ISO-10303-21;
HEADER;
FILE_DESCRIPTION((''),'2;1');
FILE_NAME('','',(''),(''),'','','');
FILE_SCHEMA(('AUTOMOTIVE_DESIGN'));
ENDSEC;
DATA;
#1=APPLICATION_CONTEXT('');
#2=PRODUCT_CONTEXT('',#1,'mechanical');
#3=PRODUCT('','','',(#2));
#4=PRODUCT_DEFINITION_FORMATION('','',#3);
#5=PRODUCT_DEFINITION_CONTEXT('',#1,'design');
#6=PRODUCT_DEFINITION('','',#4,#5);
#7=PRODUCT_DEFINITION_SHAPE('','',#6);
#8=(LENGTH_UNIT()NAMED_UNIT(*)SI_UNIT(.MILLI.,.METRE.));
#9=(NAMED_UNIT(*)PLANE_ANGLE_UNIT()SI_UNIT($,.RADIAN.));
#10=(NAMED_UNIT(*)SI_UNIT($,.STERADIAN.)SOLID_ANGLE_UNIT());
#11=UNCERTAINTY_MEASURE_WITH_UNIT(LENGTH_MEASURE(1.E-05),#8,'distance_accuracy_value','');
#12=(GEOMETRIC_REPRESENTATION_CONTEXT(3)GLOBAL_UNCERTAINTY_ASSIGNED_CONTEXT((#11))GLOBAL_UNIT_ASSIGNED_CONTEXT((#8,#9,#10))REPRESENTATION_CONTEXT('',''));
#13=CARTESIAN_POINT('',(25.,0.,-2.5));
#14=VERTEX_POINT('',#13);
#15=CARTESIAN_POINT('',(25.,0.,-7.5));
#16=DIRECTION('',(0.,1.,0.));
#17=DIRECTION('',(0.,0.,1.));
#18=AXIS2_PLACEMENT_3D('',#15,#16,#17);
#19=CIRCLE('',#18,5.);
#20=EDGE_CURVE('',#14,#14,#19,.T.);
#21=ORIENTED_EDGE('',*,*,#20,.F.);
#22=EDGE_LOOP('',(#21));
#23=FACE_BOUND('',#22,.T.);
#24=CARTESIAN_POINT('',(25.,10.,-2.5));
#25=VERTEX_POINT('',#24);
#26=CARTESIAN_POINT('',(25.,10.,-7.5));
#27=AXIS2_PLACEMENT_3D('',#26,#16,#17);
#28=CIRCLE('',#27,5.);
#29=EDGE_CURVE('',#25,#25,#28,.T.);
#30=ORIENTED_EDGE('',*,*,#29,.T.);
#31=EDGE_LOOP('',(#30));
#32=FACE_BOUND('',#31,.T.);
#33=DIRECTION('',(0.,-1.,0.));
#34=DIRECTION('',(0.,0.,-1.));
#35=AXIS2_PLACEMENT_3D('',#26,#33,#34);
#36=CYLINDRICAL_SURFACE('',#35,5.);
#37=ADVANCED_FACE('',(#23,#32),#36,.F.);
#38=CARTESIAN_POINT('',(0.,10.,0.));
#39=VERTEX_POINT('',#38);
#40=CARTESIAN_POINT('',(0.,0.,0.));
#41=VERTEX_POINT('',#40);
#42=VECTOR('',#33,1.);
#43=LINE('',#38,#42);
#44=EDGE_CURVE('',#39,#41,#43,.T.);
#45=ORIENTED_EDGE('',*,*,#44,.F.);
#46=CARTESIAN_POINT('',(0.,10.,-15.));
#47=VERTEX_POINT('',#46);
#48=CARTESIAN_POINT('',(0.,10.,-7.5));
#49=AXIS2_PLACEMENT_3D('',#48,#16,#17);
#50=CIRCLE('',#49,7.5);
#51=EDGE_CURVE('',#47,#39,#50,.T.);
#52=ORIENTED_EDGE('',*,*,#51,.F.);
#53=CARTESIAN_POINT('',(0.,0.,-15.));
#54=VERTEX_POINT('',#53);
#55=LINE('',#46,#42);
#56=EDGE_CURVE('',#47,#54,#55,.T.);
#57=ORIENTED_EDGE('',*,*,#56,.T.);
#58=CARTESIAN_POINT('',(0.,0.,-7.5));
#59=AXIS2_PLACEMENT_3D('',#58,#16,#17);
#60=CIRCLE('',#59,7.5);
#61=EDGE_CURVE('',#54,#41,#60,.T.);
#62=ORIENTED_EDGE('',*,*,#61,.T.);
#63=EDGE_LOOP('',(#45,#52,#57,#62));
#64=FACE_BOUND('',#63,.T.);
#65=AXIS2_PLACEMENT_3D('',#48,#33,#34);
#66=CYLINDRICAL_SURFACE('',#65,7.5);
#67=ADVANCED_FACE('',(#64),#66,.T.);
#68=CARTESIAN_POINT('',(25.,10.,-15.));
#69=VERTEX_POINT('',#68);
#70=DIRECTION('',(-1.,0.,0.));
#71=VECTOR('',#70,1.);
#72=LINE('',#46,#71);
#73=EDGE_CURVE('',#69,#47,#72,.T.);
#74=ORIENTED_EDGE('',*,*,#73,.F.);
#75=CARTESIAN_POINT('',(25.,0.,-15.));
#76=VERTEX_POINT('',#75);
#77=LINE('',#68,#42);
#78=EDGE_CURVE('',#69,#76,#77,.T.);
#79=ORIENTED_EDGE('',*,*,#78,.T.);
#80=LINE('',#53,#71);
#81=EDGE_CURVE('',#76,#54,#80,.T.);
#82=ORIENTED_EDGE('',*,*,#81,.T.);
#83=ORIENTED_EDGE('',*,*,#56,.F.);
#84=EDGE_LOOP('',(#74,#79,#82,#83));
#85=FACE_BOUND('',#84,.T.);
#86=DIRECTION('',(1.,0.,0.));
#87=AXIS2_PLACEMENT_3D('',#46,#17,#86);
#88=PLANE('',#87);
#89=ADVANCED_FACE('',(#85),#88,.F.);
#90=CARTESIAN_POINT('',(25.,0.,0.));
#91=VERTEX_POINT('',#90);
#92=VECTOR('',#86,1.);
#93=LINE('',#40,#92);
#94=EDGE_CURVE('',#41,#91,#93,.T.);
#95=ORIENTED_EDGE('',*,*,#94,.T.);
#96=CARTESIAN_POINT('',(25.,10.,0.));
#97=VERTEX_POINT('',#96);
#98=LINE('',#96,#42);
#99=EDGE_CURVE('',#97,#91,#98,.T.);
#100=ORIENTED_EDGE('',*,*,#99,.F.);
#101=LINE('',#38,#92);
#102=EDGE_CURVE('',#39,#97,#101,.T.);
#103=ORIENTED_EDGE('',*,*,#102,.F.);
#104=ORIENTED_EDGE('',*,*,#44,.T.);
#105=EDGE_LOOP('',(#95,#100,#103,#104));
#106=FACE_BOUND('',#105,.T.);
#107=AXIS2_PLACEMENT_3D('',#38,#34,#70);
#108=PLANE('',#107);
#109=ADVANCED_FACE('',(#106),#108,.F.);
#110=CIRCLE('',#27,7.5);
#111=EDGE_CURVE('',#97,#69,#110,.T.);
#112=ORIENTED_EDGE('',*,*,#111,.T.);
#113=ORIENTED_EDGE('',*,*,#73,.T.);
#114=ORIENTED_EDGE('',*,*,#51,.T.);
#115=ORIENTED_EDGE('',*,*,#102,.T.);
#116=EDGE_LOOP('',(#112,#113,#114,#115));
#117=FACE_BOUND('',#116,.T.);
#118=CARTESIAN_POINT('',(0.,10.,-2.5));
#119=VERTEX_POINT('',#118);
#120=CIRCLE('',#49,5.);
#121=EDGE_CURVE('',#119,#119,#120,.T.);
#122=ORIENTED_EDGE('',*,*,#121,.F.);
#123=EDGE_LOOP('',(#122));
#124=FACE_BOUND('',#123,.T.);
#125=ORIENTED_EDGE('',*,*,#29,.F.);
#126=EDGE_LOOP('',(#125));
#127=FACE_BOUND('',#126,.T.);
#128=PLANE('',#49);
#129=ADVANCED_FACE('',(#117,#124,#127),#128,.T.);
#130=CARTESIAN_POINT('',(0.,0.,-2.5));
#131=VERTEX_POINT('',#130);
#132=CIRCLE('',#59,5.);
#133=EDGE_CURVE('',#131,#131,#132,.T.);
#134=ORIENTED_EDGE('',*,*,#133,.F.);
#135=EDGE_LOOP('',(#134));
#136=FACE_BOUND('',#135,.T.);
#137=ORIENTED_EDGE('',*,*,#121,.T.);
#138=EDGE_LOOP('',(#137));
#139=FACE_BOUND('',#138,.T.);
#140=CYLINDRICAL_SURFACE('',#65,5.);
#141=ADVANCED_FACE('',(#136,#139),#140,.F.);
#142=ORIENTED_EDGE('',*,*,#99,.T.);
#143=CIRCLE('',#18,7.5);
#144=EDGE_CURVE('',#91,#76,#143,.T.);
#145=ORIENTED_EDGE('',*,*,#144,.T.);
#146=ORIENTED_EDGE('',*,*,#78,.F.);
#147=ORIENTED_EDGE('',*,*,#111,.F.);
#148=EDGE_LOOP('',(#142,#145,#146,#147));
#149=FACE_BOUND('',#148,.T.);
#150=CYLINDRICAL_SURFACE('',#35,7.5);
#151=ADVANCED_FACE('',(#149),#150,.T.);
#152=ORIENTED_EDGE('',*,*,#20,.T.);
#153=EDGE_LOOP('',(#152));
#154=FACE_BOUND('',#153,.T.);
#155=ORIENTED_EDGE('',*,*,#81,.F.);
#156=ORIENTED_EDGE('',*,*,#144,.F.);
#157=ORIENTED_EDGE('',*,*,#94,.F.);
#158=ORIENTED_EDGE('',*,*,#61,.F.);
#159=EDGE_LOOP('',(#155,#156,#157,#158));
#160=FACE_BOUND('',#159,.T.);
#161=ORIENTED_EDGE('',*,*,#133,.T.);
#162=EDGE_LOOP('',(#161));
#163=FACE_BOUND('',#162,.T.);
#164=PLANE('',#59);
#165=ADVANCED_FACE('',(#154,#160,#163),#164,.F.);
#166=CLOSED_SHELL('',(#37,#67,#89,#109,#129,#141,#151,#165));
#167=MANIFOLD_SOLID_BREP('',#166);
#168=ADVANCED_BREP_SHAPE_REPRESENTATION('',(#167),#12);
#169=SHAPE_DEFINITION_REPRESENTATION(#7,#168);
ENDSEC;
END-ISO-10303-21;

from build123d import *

# Parameters (mm, degrees)
SKETCH1_R           = 5
BOSS_EXTRUDE1_DEPTH = 10


with BuildPart() as part:
    # Sketch1 → Boss-Extrude1 (new body)
    with BuildSketch(Plane(origin=(0, 0, 0), x_dir=(1, 0, 0), z_dir=(0, 1, 0))):
        with BuildLine():
            Line((0, 0), (25, 0))
            ThreePointArc((25, 0), (32.5, 7.5), (25, 15))
            Line((25, 15), (0, 15))
            ThreePointArc((0, 15), (-7.5, 7.5), (0, 0))
        make_face()
        with Locations(Location((0, 7.5, 0), (0, 0, 270))):
            Circle(SKETCH1_R, mode=Mode.SUBTRACT)
        with Locations(Location((25, 7.5, 0), (0, 0, 270))):
            Circle(SKETCH1_R, mode=Mode.SUBTRACT)
    extrude(amount=BOSS_EXTRUDE1_DEPTH)


solid = part.part
